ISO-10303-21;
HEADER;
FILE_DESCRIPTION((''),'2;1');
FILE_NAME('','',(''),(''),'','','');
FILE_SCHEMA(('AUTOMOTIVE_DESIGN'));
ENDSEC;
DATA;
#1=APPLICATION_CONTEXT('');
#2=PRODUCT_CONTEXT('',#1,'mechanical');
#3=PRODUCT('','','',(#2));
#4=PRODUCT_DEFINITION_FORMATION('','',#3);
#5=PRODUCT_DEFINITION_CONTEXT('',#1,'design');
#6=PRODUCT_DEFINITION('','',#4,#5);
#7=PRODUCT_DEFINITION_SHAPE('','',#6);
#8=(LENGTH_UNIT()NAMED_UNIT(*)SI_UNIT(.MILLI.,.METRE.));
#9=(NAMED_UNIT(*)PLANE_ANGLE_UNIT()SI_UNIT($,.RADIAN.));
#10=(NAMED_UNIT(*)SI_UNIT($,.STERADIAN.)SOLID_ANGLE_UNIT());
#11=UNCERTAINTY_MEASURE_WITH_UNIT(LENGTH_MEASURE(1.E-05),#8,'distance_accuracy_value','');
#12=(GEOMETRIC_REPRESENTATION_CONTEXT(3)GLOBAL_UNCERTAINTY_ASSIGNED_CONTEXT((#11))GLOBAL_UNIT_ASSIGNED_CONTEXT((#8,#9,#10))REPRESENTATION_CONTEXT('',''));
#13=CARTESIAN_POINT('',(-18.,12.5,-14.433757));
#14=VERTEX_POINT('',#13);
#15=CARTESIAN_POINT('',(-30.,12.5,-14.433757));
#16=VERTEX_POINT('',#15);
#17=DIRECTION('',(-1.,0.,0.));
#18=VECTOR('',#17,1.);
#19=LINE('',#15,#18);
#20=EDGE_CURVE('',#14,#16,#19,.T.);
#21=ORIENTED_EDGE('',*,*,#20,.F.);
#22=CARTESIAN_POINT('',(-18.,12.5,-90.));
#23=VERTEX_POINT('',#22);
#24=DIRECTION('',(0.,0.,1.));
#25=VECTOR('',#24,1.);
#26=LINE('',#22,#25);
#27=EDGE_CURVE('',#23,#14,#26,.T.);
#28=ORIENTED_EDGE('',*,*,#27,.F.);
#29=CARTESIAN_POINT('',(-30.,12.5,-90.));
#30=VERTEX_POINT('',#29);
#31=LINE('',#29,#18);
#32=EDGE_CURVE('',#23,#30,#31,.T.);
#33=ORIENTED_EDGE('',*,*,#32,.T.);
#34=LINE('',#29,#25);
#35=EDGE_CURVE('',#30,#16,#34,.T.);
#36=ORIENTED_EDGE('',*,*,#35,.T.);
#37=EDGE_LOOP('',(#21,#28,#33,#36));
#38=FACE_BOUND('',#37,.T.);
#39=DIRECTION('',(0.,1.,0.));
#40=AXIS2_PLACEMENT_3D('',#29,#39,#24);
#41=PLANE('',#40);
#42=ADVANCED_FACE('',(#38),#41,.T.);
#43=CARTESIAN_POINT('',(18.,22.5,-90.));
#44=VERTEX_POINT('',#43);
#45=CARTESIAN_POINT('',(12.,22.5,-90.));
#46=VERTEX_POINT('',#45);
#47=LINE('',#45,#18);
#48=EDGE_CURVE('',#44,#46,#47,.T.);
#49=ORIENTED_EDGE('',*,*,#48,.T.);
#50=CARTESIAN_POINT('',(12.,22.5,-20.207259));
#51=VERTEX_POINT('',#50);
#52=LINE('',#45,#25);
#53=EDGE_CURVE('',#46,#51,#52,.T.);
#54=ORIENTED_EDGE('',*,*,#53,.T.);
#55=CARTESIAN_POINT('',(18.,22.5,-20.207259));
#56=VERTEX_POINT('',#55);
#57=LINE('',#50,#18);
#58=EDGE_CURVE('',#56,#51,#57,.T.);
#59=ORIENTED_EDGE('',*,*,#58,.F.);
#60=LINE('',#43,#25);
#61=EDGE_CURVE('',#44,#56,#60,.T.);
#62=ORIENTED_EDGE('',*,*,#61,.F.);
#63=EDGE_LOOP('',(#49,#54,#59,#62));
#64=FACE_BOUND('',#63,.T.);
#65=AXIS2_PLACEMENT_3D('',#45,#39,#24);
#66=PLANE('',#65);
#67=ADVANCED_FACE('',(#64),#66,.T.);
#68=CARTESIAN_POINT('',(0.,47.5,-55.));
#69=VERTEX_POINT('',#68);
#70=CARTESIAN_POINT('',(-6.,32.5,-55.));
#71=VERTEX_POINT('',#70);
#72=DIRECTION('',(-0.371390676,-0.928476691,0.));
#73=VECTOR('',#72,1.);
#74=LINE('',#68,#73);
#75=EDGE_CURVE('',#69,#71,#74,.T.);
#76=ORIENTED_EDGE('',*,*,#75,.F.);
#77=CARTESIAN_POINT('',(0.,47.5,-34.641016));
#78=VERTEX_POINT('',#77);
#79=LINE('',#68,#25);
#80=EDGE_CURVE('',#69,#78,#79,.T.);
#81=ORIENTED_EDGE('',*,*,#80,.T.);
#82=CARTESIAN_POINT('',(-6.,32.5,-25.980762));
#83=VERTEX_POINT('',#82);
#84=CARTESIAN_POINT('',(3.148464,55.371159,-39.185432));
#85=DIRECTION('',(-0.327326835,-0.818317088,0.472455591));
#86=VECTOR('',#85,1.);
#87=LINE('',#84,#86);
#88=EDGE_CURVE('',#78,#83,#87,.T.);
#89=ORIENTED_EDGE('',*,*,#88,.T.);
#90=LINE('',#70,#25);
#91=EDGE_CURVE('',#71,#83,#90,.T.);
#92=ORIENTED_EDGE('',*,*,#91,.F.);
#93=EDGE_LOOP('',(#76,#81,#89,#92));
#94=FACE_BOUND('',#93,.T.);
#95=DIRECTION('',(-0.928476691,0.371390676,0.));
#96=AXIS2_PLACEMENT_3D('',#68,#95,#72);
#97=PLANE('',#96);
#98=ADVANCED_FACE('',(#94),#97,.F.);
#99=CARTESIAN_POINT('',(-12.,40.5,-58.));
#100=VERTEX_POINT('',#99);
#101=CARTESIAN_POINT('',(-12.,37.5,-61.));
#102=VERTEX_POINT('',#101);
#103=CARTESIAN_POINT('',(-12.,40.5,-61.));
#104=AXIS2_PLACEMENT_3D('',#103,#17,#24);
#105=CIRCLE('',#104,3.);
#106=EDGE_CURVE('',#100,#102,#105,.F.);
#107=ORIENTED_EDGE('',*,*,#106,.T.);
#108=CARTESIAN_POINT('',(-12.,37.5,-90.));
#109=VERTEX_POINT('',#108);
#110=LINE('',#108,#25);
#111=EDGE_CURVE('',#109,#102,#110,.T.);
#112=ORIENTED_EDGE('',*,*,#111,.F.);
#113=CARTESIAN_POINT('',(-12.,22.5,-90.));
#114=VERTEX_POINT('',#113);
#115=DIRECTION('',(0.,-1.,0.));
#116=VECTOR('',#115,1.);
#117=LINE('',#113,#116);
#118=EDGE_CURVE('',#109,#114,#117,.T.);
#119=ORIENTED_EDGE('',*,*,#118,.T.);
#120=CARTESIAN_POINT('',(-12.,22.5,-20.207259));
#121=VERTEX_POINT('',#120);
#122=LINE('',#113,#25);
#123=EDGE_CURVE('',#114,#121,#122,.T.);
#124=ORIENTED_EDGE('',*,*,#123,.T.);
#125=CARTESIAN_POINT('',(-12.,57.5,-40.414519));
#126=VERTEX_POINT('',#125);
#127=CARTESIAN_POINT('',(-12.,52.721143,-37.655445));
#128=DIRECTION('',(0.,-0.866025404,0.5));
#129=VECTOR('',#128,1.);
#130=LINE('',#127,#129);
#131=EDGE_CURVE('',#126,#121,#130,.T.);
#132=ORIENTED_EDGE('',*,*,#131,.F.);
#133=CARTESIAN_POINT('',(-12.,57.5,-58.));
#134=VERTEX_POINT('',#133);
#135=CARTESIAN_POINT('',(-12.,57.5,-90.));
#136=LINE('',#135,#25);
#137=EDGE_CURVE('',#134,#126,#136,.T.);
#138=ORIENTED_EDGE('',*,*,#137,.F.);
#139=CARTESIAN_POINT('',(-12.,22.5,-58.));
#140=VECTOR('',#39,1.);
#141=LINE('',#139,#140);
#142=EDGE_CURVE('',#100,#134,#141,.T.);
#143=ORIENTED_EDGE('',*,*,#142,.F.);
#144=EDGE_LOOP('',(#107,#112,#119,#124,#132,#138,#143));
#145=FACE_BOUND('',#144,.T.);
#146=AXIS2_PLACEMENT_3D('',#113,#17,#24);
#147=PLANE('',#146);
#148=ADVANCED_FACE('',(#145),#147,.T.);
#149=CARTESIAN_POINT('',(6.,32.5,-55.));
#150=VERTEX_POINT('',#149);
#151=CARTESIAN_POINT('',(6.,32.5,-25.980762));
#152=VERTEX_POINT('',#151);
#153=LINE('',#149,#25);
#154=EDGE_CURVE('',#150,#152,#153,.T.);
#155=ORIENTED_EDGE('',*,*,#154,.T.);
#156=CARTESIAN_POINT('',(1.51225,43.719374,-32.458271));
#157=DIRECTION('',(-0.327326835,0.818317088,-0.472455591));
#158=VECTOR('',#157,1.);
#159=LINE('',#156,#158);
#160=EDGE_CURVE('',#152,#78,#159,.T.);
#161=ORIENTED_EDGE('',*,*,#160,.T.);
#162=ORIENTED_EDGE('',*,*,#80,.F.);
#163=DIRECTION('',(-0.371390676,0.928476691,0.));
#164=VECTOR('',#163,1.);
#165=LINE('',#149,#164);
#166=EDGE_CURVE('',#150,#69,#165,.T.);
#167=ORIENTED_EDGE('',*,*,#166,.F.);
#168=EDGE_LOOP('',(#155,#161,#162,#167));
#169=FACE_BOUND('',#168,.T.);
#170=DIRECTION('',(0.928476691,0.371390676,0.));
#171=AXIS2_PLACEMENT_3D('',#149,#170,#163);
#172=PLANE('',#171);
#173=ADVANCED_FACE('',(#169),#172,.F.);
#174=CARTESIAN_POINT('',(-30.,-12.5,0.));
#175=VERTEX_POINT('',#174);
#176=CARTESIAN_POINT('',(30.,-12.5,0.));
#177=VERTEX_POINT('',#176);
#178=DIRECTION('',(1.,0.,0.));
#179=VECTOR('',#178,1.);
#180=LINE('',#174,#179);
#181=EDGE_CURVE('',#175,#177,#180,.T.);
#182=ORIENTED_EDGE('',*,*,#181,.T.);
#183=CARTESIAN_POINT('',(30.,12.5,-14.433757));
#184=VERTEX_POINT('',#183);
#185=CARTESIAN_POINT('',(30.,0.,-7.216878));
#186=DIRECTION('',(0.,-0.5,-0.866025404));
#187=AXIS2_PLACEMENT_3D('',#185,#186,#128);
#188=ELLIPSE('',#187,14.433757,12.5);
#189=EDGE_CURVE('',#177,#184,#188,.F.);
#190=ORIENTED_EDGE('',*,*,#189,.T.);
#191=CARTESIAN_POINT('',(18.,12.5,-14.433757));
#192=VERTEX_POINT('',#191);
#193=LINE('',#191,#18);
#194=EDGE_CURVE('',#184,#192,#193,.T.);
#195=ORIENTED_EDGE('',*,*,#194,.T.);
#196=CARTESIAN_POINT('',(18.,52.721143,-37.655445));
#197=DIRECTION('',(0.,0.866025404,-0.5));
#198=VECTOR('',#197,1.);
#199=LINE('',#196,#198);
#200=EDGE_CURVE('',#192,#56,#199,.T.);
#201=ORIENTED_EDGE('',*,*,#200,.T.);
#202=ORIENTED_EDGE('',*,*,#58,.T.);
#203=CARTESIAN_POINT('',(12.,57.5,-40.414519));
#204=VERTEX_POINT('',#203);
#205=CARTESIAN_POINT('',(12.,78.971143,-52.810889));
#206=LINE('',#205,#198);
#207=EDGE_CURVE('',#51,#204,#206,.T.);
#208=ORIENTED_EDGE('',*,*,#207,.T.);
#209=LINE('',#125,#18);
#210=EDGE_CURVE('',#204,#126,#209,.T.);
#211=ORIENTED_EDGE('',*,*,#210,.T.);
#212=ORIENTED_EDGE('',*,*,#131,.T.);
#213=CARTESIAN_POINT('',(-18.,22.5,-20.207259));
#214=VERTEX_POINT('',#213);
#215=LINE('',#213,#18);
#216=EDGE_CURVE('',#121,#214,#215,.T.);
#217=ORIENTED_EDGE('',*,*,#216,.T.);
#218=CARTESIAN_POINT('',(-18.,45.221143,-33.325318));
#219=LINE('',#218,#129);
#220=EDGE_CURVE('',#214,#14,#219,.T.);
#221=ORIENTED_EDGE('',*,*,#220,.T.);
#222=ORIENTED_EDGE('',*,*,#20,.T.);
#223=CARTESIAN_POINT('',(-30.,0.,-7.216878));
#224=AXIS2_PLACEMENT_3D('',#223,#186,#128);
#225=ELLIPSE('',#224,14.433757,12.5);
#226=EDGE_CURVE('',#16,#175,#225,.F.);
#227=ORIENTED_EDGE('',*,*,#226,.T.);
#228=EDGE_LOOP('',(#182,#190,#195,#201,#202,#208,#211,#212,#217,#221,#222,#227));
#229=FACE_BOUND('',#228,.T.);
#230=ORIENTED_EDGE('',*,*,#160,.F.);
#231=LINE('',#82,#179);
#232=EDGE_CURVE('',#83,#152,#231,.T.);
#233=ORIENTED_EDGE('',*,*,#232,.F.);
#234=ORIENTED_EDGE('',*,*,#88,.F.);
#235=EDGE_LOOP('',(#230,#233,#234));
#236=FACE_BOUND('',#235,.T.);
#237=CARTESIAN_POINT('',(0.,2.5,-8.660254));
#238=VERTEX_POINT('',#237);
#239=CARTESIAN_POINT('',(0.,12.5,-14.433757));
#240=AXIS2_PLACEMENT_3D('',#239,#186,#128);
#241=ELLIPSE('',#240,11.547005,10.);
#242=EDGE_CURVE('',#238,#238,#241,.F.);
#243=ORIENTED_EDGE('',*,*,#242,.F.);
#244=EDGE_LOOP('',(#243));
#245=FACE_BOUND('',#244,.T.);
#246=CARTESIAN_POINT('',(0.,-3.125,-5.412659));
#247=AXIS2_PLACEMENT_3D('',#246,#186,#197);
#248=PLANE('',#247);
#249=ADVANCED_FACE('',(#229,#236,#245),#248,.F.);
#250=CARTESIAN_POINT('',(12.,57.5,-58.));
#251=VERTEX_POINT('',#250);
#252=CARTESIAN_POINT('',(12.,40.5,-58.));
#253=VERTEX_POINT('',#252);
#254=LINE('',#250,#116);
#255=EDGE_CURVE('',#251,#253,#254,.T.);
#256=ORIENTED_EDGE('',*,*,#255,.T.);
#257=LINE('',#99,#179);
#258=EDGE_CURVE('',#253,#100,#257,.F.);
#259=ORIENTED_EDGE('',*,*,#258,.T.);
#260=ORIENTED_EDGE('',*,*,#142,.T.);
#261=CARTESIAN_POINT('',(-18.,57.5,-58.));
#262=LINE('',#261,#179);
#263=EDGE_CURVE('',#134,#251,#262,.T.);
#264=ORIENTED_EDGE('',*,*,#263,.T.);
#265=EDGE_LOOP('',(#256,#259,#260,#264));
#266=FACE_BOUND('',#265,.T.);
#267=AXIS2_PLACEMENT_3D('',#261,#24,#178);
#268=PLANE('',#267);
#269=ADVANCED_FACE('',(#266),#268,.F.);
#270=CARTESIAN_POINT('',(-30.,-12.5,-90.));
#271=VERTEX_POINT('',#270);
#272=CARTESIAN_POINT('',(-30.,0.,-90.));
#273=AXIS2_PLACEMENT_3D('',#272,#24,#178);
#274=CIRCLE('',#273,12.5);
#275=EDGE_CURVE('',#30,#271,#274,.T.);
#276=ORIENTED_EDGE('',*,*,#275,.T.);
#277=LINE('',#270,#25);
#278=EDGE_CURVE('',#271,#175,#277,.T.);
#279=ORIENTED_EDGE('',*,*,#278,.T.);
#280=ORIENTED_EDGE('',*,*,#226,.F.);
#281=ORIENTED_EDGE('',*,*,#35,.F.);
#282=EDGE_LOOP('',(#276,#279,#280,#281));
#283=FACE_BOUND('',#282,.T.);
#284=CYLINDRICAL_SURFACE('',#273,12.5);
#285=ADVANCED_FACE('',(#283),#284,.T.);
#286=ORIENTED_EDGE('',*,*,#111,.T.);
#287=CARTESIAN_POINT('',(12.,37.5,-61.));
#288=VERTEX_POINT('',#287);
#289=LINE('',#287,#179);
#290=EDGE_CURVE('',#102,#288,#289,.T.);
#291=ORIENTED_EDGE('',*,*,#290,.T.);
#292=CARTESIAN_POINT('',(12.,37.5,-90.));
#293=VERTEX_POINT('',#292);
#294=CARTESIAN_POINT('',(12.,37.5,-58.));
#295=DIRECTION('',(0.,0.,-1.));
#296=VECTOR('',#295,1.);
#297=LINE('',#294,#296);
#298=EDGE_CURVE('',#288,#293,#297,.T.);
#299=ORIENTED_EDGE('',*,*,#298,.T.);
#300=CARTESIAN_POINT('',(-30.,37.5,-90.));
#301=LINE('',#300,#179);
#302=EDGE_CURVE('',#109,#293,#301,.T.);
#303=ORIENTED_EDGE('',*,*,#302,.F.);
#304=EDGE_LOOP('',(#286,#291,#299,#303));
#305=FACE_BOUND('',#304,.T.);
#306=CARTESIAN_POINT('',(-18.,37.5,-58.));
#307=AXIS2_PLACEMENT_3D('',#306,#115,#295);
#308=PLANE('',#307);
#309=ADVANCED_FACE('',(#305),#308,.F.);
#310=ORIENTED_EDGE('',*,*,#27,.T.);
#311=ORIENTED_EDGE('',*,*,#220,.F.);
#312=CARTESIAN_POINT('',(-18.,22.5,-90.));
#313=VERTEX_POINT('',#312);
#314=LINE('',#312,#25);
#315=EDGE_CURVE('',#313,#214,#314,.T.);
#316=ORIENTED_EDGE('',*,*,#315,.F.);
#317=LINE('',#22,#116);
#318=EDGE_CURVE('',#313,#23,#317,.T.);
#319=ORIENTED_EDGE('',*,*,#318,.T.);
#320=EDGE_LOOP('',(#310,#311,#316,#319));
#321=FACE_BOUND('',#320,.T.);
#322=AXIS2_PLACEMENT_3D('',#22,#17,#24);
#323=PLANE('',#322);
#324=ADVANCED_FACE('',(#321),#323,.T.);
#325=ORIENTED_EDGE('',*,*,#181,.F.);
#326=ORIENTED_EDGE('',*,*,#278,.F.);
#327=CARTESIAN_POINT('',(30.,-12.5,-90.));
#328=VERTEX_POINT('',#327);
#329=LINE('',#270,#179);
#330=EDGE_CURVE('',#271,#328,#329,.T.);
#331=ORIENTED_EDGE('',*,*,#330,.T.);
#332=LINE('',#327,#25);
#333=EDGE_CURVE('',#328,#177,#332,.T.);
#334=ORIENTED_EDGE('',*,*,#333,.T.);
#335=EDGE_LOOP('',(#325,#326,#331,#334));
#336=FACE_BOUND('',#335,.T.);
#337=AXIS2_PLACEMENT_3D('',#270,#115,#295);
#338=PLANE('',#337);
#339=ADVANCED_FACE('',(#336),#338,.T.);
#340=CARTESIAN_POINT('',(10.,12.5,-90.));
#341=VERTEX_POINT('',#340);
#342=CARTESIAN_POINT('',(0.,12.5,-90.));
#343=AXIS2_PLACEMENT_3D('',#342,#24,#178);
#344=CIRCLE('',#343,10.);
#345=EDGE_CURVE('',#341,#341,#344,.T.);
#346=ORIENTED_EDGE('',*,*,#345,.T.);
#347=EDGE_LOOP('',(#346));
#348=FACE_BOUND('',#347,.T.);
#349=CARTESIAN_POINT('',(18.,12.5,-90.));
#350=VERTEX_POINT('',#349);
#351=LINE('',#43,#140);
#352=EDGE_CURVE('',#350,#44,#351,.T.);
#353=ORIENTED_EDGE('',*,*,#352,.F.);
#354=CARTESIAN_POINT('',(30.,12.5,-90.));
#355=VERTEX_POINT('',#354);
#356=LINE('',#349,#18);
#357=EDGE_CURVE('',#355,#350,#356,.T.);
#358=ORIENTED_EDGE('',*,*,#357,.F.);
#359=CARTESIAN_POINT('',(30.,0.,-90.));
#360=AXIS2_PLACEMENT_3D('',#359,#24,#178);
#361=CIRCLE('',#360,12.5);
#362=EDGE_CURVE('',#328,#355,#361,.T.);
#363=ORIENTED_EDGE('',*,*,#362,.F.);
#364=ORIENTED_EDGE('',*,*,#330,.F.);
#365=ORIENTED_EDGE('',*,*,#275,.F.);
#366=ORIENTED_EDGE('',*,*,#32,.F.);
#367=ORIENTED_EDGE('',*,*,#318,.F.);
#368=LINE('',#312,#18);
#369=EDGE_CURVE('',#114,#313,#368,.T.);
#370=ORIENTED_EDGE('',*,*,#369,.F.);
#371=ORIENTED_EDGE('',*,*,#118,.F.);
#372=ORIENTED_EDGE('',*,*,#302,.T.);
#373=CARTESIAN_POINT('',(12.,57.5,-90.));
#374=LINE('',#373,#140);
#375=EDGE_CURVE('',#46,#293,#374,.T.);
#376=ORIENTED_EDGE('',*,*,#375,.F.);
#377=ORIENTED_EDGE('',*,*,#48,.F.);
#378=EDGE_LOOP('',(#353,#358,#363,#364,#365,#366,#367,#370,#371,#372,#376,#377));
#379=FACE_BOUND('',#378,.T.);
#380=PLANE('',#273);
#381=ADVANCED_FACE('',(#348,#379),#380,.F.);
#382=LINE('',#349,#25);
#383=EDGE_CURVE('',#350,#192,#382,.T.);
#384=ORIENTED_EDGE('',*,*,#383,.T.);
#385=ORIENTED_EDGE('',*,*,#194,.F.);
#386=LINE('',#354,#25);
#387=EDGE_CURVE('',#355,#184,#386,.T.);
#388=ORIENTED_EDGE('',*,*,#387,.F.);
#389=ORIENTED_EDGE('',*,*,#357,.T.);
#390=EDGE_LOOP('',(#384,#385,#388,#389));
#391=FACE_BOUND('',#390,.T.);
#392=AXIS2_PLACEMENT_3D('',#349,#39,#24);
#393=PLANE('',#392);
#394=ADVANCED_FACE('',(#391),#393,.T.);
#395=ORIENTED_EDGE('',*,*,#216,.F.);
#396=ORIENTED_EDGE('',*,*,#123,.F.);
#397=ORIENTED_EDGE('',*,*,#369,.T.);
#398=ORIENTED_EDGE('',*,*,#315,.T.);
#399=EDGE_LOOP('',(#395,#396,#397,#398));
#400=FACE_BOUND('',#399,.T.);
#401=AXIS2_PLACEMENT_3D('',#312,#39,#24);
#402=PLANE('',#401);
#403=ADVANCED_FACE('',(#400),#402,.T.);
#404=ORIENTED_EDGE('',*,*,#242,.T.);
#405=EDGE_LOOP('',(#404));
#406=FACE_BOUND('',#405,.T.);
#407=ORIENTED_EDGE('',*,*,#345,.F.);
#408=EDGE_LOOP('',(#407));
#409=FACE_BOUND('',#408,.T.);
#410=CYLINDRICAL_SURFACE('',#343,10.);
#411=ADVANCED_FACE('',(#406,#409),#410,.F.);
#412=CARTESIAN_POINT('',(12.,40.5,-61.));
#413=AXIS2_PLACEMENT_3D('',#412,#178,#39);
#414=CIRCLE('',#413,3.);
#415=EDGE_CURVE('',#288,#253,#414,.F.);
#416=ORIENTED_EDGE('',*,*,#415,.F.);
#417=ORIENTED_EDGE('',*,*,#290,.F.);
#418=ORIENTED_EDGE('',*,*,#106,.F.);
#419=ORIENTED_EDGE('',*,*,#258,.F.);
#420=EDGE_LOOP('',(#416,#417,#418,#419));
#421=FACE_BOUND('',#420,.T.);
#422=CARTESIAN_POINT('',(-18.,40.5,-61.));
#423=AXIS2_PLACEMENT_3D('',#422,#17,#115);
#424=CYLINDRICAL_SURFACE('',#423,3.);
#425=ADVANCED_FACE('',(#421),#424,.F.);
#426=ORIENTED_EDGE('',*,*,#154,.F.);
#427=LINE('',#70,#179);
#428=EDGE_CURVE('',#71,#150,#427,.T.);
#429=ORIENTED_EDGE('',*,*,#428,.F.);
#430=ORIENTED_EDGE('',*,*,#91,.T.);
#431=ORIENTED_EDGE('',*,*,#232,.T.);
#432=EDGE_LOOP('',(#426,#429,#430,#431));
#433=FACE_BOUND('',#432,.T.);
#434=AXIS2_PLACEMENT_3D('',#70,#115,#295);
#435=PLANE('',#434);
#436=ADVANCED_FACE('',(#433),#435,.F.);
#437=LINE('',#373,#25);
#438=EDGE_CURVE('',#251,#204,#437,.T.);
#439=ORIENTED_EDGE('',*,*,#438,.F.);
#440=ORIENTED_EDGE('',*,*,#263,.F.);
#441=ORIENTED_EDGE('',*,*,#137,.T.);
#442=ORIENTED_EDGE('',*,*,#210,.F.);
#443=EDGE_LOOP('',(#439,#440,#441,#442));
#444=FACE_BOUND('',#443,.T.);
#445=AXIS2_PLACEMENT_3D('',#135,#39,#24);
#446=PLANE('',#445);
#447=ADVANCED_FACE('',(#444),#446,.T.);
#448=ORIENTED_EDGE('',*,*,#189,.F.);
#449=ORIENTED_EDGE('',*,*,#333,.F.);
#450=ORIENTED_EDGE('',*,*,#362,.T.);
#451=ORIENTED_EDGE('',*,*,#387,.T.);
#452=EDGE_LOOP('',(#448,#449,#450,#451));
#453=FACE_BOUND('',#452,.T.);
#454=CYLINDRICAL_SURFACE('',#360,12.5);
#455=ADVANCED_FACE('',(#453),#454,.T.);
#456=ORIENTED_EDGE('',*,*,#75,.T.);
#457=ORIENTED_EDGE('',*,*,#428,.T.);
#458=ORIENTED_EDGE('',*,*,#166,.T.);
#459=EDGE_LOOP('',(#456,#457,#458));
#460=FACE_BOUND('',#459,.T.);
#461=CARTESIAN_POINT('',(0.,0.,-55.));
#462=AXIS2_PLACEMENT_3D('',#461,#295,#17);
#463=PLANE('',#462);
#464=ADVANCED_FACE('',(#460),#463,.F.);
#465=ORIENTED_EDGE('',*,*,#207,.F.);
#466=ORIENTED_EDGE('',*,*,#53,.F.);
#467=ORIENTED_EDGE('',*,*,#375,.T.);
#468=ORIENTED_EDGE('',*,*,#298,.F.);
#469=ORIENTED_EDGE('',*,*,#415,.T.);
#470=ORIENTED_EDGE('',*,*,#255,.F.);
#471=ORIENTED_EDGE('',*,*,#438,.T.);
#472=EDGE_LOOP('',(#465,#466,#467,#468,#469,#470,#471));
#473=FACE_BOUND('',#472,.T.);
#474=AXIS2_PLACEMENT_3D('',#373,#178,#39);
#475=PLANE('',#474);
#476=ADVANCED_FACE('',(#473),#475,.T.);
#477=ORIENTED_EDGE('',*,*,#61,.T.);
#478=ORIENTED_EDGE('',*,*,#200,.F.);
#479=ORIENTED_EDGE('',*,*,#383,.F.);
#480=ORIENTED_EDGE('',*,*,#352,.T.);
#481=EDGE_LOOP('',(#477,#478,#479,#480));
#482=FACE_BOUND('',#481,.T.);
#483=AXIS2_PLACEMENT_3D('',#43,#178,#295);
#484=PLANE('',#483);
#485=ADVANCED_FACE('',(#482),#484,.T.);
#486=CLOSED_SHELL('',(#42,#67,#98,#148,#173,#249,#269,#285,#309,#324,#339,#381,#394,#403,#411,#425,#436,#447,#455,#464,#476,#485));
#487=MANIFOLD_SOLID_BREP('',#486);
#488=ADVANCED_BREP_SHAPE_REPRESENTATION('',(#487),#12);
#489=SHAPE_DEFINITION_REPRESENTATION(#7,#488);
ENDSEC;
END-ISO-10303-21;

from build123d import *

# Parameters (mm, degrees)
SKETCH1_R           = 10
BOSS_EXTRUDE1_DEPTH = 90
SKETCH2_W           = 32
SKETCH2_H           = 20
CUT_EXTRUDE1_DEPTH  = 30
FILLET1_R           = 3
CUT_EXTRUDE2_DEPTH  = 55
SKETCH6_W           = 93.565518088
SKETCH6_H           = 91.977475816
CUT_EXTRUDE3_DEPTH  = 55


with BuildPart() as part:
    # Sketch1 → Boss-Extrude1 (new body)
    with BuildSketch(Plane.XY):
        with BuildLine():
            Line((-30, 12.5), (-18, 12.5))
            Line((-18, 12.5), (-18, 22.5))
            Line((-18, 22.5), (-12, 22.5))
            Line((-12, 22.5), (-12, 57.5))
            Line((-12, 57.5), (12, 57.5))
            Line((12, 57.5), (12, 22.5))
            Line((12, 22.5), (18, 22.5))
            Line((18, 22.5), (18, 12.5))
            Line((18, 12.5), (30, 12.5))
            ThreePointArc((30, 12.5), (42.5, 0), (30, -12.5))
            Line((30, -12.5), (-30, -12.5))
            ThreePointArc((-30, -12.5), (-42.5, 0), (-30, 12.5))
        make_face()
        with Locations((0, 12.5)):
            Circle(SKETCH1_R, mode=Mode.SUBTRACT)
    extrude(amount=-BOSS_EXTRUDE1_DEPTH)

    # Sketch2 → Cut-Extrude1 (cut)
    with BuildSketch(Plane(origin=(12, 0, 0), x_dir=(0, 0, -1), z_dir=(1, 0, 0))):
        with Locations((74, 47.5)):
            Rectangle(SKETCH2_W, SKETCH2_H)
    extrude(amount=-CUT_EXTRUDE1_DEPTH, mode=Mode.SUBTRACT)

    # Fillet1
    fillet1_edges = [part.edges().sort_by_distance(p)[0] for p in [
        (0, 37.5, -58),
    ]]
    fillet(fillet1_edges, radius=FILLET1_R)

    # Sketch3 → Cut-Extrude2 (cut)
    with BuildSketch(Plane.XY):
        Polygon((0, 47.5), (-6, 32.5), (6, 32.5), align=None)
    extrude(amount=-CUT_EXTRUDE2_DEPTH, mode=Mode.SUBTRACT)

    # Sketch6 → Cut-Extrude3 (cut)
    with BuildSketch(Plane(origin=(0, -3.125, -5.412658774), x_dir=(1, 0, 0), z_dir=(0, 0.5, 0.866025404))):
        with Locations((1.570824933, 32.896964302)):
            Rectangle(SKETCH6_W, SKETCH6_H)
    extrude(amount=CUT_EXTRUDE3_DEPTH, mode=Mode.SUBTRACT)


solid = part.part
